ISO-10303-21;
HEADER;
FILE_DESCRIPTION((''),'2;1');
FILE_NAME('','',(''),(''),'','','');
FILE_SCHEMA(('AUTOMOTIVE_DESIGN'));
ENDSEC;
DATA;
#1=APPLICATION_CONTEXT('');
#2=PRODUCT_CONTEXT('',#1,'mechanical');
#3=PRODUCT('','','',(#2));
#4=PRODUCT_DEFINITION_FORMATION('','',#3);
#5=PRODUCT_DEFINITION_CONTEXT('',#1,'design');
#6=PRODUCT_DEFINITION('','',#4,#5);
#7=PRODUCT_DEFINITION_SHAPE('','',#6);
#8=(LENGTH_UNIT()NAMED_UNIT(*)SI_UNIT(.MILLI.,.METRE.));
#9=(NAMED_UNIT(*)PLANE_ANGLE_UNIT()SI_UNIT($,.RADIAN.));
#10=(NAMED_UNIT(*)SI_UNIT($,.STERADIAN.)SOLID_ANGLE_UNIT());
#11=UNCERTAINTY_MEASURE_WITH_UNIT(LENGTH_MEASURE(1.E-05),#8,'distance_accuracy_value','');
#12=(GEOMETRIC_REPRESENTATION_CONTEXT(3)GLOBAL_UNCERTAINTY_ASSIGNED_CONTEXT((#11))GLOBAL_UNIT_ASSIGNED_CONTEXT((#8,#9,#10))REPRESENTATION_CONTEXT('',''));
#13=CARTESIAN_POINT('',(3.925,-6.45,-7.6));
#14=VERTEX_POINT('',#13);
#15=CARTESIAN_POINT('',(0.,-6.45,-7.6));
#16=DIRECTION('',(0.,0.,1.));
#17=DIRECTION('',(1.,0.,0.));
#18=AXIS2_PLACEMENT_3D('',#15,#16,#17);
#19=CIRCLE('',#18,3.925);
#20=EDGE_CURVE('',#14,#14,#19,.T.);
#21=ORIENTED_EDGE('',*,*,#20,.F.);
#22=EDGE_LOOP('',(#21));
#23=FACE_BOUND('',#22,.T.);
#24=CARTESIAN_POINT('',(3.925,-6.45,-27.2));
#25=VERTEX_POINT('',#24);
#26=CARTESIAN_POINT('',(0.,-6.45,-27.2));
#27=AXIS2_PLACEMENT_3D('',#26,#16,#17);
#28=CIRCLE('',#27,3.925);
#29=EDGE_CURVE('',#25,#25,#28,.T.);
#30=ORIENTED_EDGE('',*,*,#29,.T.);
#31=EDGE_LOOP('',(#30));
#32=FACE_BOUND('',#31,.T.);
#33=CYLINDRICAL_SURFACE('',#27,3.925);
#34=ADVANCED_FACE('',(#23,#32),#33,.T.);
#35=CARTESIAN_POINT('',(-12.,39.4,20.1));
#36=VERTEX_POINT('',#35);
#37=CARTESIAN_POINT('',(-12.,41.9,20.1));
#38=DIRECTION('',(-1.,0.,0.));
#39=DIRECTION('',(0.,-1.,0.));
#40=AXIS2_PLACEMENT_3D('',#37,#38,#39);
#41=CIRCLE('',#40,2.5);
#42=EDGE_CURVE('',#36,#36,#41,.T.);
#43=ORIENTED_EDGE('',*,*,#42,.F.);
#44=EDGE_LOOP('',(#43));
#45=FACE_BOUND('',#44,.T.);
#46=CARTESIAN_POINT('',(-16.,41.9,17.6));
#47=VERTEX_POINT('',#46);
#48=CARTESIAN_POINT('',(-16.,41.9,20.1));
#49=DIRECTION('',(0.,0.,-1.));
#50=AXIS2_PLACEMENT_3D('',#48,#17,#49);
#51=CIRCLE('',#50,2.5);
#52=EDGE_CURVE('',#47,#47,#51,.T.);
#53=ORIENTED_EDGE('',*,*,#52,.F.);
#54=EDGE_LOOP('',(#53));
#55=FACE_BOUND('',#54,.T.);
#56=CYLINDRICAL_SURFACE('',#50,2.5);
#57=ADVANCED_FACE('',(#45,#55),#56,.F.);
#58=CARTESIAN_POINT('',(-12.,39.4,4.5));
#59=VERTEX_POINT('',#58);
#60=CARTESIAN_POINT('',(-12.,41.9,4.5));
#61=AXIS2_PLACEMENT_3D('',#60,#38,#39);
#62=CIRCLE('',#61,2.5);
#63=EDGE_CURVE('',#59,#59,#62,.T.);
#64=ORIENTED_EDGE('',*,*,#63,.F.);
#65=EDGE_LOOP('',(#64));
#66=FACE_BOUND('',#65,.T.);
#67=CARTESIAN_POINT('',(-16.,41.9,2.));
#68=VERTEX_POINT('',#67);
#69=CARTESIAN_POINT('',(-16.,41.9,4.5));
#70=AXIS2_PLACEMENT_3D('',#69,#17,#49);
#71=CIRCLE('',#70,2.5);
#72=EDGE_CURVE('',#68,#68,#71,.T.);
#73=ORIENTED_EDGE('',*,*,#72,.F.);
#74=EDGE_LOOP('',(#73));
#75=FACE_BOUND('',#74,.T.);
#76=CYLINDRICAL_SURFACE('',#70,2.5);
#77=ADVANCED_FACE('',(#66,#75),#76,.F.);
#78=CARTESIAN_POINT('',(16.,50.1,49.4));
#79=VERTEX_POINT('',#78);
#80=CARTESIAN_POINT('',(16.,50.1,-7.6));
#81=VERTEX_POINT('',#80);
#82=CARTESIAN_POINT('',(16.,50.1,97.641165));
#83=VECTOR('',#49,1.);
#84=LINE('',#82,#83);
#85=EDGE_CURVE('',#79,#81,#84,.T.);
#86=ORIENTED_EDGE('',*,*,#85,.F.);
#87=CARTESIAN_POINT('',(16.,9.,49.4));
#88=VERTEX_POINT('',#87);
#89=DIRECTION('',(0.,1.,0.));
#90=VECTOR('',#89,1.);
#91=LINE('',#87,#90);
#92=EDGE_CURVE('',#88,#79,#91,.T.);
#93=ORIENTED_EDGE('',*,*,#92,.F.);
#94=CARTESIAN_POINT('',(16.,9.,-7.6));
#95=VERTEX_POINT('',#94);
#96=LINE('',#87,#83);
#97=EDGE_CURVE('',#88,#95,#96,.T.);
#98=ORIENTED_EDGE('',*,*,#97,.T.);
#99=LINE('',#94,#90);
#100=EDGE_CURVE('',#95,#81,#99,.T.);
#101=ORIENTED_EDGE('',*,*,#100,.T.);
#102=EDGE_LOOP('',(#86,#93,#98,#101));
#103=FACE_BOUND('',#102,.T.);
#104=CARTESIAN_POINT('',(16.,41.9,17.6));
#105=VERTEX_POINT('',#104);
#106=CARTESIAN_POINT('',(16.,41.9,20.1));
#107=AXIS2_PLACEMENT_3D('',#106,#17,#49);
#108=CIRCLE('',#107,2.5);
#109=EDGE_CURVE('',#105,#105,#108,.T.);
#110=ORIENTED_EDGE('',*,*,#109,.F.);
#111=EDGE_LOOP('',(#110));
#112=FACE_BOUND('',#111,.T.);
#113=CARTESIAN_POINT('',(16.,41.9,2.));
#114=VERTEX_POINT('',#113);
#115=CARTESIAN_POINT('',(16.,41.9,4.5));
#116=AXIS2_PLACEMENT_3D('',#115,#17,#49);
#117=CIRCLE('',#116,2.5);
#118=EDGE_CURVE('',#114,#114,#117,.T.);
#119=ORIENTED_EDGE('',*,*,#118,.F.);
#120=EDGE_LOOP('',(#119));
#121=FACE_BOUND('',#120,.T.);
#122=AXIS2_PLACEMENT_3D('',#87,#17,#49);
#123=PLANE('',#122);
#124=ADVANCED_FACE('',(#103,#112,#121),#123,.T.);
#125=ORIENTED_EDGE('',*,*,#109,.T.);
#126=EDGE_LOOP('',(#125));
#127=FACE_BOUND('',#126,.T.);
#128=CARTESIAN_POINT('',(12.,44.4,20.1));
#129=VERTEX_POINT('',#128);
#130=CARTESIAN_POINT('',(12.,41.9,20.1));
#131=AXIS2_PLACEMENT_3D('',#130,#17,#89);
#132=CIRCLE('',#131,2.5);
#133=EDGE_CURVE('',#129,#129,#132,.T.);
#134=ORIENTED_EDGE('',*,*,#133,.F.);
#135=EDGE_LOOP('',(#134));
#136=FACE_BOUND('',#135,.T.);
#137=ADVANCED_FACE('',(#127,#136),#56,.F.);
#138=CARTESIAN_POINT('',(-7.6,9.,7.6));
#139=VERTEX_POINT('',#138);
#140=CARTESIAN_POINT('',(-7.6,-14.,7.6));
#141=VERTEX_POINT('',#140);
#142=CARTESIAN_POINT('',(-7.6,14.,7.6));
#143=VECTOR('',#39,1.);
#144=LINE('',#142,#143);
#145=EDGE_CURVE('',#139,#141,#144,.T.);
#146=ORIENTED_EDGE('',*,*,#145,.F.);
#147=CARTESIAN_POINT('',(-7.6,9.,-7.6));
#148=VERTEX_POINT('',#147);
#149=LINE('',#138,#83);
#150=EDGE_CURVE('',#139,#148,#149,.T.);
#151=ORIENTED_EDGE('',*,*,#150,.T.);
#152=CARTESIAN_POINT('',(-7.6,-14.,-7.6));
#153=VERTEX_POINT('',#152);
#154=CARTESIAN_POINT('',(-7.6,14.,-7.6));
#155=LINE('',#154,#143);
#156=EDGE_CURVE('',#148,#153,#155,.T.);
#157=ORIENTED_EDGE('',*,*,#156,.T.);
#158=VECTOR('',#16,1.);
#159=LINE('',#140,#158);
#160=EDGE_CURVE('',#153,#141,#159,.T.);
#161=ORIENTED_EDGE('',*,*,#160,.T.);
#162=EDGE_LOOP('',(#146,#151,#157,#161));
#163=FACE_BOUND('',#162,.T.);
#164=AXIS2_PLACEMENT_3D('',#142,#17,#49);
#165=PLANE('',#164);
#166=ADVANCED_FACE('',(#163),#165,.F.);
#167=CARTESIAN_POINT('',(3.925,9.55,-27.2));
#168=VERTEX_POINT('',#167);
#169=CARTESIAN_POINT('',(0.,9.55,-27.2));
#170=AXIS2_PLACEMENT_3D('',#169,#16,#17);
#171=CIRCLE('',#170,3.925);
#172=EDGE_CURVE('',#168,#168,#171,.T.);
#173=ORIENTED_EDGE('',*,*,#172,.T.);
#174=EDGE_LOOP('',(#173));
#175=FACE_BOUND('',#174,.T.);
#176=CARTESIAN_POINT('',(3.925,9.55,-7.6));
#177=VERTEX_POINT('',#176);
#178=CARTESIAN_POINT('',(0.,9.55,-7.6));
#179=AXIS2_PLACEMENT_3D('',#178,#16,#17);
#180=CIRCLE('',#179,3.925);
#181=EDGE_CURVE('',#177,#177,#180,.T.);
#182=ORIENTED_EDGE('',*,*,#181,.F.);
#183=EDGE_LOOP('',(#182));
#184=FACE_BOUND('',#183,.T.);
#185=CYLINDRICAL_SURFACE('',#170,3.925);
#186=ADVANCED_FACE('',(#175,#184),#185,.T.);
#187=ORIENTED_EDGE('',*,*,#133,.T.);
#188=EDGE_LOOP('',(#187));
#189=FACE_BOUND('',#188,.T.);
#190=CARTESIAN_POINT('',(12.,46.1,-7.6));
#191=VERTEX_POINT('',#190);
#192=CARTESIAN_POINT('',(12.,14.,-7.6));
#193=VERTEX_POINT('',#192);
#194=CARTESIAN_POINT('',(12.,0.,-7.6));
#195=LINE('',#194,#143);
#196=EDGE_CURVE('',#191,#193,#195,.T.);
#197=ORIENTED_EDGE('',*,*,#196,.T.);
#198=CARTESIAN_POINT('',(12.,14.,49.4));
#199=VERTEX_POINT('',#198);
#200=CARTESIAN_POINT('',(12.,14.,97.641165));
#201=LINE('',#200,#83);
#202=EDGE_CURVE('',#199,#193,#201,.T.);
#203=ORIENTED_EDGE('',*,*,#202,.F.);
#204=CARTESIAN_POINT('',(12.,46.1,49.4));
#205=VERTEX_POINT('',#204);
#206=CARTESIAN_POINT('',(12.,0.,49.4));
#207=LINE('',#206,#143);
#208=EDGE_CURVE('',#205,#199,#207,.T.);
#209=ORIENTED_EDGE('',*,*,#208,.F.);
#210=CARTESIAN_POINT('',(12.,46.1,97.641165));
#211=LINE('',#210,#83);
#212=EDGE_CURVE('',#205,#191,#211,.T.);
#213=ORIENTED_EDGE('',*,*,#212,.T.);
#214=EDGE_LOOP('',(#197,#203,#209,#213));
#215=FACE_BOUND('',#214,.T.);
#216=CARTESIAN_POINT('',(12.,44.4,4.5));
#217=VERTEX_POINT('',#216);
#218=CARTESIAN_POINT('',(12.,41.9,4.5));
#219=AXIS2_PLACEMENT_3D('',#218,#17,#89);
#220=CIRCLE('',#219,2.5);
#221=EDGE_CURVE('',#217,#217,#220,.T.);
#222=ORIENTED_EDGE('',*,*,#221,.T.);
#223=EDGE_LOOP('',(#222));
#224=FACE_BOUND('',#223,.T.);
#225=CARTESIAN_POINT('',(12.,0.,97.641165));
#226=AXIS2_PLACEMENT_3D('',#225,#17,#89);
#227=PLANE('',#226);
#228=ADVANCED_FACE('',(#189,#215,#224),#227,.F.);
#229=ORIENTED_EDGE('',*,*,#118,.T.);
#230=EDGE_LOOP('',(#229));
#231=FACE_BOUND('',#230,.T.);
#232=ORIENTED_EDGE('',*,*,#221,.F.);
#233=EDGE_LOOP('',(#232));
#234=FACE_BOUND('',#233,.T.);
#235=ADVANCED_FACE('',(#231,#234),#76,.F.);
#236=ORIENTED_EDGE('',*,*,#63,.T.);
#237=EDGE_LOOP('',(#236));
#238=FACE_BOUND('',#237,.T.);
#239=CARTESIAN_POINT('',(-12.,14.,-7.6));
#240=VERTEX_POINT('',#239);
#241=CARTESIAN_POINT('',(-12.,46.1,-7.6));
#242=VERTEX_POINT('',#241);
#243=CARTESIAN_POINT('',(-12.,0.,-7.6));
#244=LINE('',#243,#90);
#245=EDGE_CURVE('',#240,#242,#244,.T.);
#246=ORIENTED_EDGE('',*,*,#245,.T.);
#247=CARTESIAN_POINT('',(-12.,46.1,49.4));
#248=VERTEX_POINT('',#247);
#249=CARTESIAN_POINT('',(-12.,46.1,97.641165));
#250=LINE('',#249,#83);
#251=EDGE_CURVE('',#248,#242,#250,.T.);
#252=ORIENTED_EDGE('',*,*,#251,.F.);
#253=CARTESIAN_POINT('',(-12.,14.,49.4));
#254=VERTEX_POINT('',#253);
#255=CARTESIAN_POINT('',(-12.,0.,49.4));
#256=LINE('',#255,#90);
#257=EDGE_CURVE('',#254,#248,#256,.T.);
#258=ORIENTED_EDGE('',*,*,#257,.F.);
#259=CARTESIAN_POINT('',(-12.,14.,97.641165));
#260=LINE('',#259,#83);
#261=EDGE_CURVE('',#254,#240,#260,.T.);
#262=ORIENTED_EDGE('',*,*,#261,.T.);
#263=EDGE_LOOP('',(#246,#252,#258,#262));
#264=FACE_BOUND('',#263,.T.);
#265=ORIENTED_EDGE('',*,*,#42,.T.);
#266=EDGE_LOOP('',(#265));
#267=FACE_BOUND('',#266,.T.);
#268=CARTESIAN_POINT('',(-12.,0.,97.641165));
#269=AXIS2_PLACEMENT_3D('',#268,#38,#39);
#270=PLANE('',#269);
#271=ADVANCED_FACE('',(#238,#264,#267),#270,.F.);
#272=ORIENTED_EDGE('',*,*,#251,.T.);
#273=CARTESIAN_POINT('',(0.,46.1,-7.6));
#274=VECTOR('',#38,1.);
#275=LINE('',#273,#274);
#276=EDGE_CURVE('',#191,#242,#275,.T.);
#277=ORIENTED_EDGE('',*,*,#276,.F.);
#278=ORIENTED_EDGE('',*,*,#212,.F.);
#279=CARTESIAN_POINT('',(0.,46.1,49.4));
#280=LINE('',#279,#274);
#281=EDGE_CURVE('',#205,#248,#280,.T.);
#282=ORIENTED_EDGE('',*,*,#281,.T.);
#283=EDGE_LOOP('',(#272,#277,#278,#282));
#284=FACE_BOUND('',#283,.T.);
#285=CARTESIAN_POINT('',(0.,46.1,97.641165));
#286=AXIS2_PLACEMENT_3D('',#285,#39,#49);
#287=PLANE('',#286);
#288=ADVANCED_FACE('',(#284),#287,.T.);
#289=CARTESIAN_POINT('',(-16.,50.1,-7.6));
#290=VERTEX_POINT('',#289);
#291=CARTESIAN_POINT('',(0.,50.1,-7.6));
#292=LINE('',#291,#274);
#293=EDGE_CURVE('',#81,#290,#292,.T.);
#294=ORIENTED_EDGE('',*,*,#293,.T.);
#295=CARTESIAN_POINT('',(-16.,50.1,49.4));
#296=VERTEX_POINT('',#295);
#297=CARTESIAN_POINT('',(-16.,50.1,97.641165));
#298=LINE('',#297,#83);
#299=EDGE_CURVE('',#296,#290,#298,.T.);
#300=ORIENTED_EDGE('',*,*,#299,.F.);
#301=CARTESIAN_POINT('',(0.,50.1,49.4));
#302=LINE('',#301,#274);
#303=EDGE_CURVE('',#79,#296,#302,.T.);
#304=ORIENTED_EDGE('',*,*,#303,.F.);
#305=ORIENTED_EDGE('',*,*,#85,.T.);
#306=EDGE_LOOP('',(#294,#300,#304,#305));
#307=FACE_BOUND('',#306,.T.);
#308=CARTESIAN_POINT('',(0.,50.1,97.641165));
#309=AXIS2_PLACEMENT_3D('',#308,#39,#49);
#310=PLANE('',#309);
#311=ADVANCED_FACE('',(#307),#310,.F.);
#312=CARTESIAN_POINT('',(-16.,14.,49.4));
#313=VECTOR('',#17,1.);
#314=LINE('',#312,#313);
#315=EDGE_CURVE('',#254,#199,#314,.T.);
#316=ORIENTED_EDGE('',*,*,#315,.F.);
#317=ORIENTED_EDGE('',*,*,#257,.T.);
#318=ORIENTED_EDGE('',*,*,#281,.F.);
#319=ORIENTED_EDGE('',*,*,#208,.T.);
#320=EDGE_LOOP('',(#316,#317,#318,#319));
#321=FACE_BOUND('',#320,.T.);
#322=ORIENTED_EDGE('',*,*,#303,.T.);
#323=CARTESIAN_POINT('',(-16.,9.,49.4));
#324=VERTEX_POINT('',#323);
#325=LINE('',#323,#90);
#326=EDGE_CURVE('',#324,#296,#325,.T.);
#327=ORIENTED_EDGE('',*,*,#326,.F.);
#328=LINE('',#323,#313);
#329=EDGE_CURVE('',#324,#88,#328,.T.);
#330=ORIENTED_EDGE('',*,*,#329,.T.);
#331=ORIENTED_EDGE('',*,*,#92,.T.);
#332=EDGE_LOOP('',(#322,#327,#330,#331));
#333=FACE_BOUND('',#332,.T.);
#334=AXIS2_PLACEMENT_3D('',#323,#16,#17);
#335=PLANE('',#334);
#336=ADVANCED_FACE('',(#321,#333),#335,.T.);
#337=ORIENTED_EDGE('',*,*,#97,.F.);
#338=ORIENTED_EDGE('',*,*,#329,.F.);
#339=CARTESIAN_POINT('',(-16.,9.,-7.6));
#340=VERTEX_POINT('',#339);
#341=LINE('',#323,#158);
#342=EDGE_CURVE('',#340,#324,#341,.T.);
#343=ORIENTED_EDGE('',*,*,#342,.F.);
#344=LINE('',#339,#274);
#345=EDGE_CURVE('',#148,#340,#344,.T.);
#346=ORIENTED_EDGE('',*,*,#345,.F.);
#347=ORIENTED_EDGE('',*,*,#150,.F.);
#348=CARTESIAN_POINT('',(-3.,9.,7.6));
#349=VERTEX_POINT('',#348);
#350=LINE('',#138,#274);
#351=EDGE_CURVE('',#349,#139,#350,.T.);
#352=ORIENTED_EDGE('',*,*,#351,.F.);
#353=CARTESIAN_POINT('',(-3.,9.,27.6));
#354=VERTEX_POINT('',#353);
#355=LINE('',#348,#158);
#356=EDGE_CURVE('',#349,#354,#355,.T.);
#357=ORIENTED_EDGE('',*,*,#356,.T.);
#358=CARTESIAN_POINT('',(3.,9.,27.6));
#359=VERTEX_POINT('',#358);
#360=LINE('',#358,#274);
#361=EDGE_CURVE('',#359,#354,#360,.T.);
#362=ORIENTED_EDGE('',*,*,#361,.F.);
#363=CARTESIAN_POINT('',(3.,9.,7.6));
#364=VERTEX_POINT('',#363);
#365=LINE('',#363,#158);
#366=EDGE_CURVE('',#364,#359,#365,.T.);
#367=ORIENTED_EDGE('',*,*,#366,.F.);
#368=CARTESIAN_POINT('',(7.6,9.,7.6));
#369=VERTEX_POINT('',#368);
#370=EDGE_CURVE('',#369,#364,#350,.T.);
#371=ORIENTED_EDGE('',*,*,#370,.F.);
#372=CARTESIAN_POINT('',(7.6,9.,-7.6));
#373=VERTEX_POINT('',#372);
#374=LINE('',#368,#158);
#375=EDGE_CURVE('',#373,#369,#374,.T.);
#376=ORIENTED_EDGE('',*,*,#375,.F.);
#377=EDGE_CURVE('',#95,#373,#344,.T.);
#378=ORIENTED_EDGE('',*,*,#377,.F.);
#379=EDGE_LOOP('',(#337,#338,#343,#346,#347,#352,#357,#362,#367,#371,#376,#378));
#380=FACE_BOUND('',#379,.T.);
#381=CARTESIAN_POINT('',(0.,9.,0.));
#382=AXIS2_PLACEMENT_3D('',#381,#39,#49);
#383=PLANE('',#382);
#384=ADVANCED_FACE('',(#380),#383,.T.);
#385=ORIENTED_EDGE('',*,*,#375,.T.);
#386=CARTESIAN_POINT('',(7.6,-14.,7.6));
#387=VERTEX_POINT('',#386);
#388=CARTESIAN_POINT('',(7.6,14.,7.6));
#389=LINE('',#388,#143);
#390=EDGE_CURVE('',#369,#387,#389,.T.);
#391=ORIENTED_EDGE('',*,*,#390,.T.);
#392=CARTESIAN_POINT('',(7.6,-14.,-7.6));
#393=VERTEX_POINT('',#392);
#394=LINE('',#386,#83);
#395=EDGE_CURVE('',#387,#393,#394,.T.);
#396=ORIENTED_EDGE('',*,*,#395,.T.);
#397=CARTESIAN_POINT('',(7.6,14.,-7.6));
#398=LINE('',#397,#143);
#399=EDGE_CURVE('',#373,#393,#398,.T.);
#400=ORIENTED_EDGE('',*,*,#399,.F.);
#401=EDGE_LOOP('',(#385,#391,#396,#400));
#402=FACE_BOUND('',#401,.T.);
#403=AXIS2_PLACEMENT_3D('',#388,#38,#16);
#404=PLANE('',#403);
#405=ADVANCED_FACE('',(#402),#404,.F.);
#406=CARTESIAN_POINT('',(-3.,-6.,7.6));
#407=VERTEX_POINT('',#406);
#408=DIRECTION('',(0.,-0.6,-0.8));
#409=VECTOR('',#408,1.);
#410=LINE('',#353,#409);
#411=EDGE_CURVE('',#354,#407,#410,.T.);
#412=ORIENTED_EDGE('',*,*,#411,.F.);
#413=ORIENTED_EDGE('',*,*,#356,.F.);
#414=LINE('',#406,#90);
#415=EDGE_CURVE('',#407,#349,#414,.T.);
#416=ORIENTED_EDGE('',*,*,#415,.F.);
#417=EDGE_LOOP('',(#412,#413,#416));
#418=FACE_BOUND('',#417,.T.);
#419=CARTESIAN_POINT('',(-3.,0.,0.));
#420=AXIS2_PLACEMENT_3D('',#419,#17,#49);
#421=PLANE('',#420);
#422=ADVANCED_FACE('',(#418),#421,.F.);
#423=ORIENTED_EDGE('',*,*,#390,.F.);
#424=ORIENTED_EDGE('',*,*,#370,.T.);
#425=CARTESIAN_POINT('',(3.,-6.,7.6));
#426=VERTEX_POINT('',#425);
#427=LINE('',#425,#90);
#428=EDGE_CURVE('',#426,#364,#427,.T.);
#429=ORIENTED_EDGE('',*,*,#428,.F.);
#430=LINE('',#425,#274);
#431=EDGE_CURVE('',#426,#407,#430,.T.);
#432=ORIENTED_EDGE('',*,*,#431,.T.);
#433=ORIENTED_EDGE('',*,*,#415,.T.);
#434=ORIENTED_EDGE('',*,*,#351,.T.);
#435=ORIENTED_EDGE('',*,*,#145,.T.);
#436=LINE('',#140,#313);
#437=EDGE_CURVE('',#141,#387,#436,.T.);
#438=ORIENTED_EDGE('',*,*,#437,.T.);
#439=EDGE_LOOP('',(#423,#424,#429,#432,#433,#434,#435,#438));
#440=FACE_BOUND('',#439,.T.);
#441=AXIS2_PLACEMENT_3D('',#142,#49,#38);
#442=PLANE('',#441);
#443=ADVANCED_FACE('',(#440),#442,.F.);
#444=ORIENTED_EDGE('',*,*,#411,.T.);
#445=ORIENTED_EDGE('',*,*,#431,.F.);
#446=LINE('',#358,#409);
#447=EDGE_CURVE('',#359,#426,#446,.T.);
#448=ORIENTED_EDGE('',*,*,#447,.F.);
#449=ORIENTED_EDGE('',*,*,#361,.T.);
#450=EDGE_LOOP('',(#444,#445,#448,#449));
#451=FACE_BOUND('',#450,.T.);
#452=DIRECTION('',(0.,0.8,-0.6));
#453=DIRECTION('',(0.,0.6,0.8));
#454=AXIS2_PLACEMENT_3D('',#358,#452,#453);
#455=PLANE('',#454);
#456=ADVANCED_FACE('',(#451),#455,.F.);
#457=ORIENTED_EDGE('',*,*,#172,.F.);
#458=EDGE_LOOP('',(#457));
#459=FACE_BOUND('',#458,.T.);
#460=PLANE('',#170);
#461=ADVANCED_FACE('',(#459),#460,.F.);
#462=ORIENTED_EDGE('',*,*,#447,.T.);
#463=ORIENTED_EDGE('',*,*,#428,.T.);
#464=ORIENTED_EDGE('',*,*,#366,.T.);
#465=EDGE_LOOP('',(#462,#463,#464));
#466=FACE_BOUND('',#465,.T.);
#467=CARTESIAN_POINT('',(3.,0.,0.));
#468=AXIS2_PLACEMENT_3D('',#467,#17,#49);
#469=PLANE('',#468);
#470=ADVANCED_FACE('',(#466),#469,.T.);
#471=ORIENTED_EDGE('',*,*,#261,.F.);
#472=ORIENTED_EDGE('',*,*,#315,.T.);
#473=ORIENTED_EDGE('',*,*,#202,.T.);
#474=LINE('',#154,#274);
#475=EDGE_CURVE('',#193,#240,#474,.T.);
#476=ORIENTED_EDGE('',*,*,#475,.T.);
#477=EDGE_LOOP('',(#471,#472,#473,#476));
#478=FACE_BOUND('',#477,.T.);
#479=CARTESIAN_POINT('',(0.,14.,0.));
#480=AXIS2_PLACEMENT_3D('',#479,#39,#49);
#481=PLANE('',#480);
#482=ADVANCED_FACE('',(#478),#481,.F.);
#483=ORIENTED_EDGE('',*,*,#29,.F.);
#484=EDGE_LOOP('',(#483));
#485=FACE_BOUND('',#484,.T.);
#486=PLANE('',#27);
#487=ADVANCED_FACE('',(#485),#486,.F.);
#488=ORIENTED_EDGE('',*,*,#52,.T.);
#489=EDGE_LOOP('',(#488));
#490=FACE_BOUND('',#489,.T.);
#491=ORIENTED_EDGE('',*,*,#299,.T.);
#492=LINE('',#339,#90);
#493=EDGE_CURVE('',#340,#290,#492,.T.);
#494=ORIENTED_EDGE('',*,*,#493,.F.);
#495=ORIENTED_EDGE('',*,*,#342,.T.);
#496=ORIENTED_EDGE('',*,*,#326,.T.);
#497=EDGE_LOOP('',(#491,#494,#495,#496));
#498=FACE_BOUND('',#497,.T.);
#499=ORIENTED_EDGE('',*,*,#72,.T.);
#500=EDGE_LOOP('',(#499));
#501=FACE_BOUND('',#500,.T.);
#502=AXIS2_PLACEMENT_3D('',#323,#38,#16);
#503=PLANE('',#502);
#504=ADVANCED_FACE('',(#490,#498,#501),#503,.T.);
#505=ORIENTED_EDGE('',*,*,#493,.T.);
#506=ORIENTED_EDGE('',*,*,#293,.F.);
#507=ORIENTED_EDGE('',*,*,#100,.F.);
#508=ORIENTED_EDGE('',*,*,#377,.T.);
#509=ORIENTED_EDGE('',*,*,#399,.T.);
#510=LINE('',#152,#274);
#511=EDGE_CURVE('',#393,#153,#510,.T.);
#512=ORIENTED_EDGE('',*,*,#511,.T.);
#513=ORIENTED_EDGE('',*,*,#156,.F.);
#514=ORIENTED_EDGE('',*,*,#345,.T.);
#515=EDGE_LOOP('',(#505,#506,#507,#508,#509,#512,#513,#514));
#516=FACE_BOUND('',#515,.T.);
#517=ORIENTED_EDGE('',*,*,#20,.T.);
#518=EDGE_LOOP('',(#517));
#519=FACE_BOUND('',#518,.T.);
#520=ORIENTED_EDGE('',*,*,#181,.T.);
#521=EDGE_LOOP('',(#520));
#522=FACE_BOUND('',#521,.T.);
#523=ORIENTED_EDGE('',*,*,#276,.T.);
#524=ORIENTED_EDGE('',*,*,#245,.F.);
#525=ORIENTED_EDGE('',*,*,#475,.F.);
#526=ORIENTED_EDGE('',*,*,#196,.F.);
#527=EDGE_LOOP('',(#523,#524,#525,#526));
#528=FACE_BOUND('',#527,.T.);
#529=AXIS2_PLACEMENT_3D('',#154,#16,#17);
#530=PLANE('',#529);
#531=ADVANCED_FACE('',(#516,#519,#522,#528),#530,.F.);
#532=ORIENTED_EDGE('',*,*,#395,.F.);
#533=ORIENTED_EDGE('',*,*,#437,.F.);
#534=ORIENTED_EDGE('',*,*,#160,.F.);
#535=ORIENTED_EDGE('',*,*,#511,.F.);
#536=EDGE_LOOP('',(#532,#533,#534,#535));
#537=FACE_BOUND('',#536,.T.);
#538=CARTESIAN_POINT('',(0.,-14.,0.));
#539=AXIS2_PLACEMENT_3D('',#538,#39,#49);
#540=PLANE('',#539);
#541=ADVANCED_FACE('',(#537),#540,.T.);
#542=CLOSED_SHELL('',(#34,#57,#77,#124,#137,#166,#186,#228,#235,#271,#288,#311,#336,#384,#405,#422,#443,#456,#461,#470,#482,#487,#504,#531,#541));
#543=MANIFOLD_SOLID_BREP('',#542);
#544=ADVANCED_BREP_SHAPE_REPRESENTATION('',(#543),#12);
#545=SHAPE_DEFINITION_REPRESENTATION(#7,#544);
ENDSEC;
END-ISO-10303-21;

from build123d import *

# Parameters (mm, degrees)
SKETCH1_W               = 15.2
SKETCH1_H               = 15.2
BOSS_EXTRUDE1_DEPTH     = 14
SKETCH2_R               = 3.925
BOSS_EXTRUDE3_DEPTH     = 19.6
SKETCH3_W               = 32
SKETCH3_H               = 57
BOSS_EXTRUDE5_DEPTH     = 5
BOSS_EXTRUDE7_DEPTH     = 57
BOSS_EXTRUDE6_DEPTH     = 3
CUT_EXTRUDE1_DEPTH      = 73.155179994
CUT_EXTRUDE1_DEPTH_BACK = 73.155179994
SKETCH11_R              = 2.5


with BuildPart() as part:
    # Sketch1 → Boss-Extrude1 (new, symmetric)
    with BuildSketch(Plane(origin=(0, 0, 0), x_dir=(1, 0, 0), z_dir=(0, 1, 0))):
        Rectangle(SKETCH1_W, SKETCH1_H)
    extrude(amount=BOSS_EXTRUDE1_DEPTH, both=True)

    # Sketch2 → Boss-Extrude3 (add)
    with BuildSketch(Plane.XY.offset(-7.6)):
        with Locations((0, -6.45)):
            Circle(SKETCH2_R)
        with Locations((0, 9.55)):
            Circle(SKETCH2_R)
    extrude(amount=-BOSS_EXTRUDE3_DEPTH)

    # Sketch3 → Boss-Extrude5 (add)
    with BuildSketch(Plane(origin=(0, 14, 0), x_dir=(1, 0, 0), z_dir=(0, 1, 0))):
        with Locations((0, -20.9)):
            Rectangle(SKETCH3_W, SKETCH3_H)
    extrude(amount=-BOSS_EXTRUDE5_DEPTH)

    # Sketch9 → Boss-Extrude7 (add)
    with BuildSketch(Plane(origin=(0, 0, -7.6), x_dir=(-1, 0, 0), z_dir=(0, 0, -1))):
        Polygon((-16, 46.1), (-16, 14), (-12, 14), (-12, 46.1), (12, 46.1), (12, 14), (16, 14), (16, 50.1), (-16, 50.1), align=None)
    extrude(amount=-BOSS_EXTRUDE7_DEPTH)

    # Sketch5 → Boss-Extrude6 (add, symmetric)
    with BuildSketch(Plane(origin=(0, 0, 0), x_dir=(0, 0, -1), z_dir=(1, 0, 0))):
        Polygon((-7.6, -6), (-7.6, 9), (-27.6, 9), align=None)
    extrude(amount=BOSS_EXTRUDE6_DEPTH, both=True)

    # Sketch11 → Cut-Extrude1 (cut, two sides: drawn at the far end of the back side and taken through both)
    with BuildSketch(Plane(origin=(0, 0, 0), x_dir=(0, 0, -1), z_dir=(1, 0, 0)).offset(-CUT_EXTRUDE1_DEPTH_BACK)):
        with Locations((-20.1, 41.9)):
            Circle(SKETCH11_R)
        with Locations((-4.5, 41.9)):
            Circle(SKETCH11_R)
    extrude(amount=CUT_EXTRUDE1_DEPTH + CUT_EXTRUDE1_DEPTH_BACK, mode=Mode.SUBTRACT)


solid = part.part
